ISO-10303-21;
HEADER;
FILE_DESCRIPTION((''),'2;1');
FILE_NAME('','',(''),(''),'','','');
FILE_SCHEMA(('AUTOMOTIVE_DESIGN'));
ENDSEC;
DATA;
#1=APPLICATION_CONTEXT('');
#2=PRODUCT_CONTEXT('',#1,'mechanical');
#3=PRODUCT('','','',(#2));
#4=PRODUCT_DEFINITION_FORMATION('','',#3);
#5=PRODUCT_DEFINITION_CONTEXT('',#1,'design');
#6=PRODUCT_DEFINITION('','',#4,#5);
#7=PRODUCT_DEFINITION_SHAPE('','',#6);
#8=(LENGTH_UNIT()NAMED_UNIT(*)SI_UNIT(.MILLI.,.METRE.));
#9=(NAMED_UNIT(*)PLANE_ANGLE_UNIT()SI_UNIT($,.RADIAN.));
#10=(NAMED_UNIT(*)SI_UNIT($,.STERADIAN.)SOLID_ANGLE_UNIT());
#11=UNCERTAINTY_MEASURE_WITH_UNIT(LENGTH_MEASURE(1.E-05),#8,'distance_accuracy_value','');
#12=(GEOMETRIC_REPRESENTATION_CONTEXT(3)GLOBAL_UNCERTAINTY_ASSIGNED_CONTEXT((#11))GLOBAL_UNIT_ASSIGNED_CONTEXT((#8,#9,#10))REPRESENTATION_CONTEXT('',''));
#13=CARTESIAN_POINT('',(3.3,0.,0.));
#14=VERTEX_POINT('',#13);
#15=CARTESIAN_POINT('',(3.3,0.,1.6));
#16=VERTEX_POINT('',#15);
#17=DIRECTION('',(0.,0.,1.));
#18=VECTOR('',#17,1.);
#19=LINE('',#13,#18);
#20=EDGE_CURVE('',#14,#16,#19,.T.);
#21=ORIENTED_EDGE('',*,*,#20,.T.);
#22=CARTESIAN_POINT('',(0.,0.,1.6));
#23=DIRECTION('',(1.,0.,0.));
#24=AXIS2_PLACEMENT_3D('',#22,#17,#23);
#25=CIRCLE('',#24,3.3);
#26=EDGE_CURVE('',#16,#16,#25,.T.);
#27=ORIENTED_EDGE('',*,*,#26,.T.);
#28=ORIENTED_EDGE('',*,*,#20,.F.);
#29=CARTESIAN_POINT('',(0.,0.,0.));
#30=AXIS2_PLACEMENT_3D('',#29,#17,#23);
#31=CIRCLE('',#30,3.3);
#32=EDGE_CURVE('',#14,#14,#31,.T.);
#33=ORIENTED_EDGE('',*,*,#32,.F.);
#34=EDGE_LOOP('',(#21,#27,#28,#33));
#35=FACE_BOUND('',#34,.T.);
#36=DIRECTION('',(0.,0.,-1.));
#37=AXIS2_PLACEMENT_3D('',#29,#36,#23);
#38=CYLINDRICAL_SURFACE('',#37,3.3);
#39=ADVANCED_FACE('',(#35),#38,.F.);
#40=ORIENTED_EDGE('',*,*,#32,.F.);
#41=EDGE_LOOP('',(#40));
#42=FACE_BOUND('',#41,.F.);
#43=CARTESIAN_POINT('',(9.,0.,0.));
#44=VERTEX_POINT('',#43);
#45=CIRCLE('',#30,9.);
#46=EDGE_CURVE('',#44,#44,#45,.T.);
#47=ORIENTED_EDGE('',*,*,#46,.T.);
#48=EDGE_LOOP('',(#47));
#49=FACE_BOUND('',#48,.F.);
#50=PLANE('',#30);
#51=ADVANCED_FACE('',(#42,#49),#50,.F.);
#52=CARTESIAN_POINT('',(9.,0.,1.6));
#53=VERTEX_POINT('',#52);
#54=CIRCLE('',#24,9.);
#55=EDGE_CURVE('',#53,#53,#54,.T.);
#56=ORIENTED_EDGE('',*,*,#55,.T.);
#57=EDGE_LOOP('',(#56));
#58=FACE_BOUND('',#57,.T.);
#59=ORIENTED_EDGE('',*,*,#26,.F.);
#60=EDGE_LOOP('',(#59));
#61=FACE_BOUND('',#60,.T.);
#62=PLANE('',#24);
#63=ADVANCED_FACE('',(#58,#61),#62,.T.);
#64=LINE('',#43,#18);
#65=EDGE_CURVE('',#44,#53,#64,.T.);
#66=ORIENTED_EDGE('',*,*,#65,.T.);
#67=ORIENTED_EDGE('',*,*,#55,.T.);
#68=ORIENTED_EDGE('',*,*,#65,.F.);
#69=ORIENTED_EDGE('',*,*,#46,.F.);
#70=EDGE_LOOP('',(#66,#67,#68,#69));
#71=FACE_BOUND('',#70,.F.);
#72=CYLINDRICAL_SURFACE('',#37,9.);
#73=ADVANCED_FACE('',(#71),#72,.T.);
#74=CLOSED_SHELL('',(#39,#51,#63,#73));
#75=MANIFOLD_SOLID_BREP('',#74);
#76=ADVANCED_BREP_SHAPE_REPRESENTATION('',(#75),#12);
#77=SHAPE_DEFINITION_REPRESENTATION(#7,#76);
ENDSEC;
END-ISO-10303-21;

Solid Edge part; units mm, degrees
sketch "Sketch1" plane through (0, 0, 0) normal (0, 0, 1) x (1, 0, 0)
  circle A0 centre (0, 0) radius 9
  circle A1 centre (0, 0) radius 3.3
  dimension "D1" = 6.6
  dimension "D2" = 18
extrude "Protrusion1" add sketch "Sketch1" along normal blind 1.6
